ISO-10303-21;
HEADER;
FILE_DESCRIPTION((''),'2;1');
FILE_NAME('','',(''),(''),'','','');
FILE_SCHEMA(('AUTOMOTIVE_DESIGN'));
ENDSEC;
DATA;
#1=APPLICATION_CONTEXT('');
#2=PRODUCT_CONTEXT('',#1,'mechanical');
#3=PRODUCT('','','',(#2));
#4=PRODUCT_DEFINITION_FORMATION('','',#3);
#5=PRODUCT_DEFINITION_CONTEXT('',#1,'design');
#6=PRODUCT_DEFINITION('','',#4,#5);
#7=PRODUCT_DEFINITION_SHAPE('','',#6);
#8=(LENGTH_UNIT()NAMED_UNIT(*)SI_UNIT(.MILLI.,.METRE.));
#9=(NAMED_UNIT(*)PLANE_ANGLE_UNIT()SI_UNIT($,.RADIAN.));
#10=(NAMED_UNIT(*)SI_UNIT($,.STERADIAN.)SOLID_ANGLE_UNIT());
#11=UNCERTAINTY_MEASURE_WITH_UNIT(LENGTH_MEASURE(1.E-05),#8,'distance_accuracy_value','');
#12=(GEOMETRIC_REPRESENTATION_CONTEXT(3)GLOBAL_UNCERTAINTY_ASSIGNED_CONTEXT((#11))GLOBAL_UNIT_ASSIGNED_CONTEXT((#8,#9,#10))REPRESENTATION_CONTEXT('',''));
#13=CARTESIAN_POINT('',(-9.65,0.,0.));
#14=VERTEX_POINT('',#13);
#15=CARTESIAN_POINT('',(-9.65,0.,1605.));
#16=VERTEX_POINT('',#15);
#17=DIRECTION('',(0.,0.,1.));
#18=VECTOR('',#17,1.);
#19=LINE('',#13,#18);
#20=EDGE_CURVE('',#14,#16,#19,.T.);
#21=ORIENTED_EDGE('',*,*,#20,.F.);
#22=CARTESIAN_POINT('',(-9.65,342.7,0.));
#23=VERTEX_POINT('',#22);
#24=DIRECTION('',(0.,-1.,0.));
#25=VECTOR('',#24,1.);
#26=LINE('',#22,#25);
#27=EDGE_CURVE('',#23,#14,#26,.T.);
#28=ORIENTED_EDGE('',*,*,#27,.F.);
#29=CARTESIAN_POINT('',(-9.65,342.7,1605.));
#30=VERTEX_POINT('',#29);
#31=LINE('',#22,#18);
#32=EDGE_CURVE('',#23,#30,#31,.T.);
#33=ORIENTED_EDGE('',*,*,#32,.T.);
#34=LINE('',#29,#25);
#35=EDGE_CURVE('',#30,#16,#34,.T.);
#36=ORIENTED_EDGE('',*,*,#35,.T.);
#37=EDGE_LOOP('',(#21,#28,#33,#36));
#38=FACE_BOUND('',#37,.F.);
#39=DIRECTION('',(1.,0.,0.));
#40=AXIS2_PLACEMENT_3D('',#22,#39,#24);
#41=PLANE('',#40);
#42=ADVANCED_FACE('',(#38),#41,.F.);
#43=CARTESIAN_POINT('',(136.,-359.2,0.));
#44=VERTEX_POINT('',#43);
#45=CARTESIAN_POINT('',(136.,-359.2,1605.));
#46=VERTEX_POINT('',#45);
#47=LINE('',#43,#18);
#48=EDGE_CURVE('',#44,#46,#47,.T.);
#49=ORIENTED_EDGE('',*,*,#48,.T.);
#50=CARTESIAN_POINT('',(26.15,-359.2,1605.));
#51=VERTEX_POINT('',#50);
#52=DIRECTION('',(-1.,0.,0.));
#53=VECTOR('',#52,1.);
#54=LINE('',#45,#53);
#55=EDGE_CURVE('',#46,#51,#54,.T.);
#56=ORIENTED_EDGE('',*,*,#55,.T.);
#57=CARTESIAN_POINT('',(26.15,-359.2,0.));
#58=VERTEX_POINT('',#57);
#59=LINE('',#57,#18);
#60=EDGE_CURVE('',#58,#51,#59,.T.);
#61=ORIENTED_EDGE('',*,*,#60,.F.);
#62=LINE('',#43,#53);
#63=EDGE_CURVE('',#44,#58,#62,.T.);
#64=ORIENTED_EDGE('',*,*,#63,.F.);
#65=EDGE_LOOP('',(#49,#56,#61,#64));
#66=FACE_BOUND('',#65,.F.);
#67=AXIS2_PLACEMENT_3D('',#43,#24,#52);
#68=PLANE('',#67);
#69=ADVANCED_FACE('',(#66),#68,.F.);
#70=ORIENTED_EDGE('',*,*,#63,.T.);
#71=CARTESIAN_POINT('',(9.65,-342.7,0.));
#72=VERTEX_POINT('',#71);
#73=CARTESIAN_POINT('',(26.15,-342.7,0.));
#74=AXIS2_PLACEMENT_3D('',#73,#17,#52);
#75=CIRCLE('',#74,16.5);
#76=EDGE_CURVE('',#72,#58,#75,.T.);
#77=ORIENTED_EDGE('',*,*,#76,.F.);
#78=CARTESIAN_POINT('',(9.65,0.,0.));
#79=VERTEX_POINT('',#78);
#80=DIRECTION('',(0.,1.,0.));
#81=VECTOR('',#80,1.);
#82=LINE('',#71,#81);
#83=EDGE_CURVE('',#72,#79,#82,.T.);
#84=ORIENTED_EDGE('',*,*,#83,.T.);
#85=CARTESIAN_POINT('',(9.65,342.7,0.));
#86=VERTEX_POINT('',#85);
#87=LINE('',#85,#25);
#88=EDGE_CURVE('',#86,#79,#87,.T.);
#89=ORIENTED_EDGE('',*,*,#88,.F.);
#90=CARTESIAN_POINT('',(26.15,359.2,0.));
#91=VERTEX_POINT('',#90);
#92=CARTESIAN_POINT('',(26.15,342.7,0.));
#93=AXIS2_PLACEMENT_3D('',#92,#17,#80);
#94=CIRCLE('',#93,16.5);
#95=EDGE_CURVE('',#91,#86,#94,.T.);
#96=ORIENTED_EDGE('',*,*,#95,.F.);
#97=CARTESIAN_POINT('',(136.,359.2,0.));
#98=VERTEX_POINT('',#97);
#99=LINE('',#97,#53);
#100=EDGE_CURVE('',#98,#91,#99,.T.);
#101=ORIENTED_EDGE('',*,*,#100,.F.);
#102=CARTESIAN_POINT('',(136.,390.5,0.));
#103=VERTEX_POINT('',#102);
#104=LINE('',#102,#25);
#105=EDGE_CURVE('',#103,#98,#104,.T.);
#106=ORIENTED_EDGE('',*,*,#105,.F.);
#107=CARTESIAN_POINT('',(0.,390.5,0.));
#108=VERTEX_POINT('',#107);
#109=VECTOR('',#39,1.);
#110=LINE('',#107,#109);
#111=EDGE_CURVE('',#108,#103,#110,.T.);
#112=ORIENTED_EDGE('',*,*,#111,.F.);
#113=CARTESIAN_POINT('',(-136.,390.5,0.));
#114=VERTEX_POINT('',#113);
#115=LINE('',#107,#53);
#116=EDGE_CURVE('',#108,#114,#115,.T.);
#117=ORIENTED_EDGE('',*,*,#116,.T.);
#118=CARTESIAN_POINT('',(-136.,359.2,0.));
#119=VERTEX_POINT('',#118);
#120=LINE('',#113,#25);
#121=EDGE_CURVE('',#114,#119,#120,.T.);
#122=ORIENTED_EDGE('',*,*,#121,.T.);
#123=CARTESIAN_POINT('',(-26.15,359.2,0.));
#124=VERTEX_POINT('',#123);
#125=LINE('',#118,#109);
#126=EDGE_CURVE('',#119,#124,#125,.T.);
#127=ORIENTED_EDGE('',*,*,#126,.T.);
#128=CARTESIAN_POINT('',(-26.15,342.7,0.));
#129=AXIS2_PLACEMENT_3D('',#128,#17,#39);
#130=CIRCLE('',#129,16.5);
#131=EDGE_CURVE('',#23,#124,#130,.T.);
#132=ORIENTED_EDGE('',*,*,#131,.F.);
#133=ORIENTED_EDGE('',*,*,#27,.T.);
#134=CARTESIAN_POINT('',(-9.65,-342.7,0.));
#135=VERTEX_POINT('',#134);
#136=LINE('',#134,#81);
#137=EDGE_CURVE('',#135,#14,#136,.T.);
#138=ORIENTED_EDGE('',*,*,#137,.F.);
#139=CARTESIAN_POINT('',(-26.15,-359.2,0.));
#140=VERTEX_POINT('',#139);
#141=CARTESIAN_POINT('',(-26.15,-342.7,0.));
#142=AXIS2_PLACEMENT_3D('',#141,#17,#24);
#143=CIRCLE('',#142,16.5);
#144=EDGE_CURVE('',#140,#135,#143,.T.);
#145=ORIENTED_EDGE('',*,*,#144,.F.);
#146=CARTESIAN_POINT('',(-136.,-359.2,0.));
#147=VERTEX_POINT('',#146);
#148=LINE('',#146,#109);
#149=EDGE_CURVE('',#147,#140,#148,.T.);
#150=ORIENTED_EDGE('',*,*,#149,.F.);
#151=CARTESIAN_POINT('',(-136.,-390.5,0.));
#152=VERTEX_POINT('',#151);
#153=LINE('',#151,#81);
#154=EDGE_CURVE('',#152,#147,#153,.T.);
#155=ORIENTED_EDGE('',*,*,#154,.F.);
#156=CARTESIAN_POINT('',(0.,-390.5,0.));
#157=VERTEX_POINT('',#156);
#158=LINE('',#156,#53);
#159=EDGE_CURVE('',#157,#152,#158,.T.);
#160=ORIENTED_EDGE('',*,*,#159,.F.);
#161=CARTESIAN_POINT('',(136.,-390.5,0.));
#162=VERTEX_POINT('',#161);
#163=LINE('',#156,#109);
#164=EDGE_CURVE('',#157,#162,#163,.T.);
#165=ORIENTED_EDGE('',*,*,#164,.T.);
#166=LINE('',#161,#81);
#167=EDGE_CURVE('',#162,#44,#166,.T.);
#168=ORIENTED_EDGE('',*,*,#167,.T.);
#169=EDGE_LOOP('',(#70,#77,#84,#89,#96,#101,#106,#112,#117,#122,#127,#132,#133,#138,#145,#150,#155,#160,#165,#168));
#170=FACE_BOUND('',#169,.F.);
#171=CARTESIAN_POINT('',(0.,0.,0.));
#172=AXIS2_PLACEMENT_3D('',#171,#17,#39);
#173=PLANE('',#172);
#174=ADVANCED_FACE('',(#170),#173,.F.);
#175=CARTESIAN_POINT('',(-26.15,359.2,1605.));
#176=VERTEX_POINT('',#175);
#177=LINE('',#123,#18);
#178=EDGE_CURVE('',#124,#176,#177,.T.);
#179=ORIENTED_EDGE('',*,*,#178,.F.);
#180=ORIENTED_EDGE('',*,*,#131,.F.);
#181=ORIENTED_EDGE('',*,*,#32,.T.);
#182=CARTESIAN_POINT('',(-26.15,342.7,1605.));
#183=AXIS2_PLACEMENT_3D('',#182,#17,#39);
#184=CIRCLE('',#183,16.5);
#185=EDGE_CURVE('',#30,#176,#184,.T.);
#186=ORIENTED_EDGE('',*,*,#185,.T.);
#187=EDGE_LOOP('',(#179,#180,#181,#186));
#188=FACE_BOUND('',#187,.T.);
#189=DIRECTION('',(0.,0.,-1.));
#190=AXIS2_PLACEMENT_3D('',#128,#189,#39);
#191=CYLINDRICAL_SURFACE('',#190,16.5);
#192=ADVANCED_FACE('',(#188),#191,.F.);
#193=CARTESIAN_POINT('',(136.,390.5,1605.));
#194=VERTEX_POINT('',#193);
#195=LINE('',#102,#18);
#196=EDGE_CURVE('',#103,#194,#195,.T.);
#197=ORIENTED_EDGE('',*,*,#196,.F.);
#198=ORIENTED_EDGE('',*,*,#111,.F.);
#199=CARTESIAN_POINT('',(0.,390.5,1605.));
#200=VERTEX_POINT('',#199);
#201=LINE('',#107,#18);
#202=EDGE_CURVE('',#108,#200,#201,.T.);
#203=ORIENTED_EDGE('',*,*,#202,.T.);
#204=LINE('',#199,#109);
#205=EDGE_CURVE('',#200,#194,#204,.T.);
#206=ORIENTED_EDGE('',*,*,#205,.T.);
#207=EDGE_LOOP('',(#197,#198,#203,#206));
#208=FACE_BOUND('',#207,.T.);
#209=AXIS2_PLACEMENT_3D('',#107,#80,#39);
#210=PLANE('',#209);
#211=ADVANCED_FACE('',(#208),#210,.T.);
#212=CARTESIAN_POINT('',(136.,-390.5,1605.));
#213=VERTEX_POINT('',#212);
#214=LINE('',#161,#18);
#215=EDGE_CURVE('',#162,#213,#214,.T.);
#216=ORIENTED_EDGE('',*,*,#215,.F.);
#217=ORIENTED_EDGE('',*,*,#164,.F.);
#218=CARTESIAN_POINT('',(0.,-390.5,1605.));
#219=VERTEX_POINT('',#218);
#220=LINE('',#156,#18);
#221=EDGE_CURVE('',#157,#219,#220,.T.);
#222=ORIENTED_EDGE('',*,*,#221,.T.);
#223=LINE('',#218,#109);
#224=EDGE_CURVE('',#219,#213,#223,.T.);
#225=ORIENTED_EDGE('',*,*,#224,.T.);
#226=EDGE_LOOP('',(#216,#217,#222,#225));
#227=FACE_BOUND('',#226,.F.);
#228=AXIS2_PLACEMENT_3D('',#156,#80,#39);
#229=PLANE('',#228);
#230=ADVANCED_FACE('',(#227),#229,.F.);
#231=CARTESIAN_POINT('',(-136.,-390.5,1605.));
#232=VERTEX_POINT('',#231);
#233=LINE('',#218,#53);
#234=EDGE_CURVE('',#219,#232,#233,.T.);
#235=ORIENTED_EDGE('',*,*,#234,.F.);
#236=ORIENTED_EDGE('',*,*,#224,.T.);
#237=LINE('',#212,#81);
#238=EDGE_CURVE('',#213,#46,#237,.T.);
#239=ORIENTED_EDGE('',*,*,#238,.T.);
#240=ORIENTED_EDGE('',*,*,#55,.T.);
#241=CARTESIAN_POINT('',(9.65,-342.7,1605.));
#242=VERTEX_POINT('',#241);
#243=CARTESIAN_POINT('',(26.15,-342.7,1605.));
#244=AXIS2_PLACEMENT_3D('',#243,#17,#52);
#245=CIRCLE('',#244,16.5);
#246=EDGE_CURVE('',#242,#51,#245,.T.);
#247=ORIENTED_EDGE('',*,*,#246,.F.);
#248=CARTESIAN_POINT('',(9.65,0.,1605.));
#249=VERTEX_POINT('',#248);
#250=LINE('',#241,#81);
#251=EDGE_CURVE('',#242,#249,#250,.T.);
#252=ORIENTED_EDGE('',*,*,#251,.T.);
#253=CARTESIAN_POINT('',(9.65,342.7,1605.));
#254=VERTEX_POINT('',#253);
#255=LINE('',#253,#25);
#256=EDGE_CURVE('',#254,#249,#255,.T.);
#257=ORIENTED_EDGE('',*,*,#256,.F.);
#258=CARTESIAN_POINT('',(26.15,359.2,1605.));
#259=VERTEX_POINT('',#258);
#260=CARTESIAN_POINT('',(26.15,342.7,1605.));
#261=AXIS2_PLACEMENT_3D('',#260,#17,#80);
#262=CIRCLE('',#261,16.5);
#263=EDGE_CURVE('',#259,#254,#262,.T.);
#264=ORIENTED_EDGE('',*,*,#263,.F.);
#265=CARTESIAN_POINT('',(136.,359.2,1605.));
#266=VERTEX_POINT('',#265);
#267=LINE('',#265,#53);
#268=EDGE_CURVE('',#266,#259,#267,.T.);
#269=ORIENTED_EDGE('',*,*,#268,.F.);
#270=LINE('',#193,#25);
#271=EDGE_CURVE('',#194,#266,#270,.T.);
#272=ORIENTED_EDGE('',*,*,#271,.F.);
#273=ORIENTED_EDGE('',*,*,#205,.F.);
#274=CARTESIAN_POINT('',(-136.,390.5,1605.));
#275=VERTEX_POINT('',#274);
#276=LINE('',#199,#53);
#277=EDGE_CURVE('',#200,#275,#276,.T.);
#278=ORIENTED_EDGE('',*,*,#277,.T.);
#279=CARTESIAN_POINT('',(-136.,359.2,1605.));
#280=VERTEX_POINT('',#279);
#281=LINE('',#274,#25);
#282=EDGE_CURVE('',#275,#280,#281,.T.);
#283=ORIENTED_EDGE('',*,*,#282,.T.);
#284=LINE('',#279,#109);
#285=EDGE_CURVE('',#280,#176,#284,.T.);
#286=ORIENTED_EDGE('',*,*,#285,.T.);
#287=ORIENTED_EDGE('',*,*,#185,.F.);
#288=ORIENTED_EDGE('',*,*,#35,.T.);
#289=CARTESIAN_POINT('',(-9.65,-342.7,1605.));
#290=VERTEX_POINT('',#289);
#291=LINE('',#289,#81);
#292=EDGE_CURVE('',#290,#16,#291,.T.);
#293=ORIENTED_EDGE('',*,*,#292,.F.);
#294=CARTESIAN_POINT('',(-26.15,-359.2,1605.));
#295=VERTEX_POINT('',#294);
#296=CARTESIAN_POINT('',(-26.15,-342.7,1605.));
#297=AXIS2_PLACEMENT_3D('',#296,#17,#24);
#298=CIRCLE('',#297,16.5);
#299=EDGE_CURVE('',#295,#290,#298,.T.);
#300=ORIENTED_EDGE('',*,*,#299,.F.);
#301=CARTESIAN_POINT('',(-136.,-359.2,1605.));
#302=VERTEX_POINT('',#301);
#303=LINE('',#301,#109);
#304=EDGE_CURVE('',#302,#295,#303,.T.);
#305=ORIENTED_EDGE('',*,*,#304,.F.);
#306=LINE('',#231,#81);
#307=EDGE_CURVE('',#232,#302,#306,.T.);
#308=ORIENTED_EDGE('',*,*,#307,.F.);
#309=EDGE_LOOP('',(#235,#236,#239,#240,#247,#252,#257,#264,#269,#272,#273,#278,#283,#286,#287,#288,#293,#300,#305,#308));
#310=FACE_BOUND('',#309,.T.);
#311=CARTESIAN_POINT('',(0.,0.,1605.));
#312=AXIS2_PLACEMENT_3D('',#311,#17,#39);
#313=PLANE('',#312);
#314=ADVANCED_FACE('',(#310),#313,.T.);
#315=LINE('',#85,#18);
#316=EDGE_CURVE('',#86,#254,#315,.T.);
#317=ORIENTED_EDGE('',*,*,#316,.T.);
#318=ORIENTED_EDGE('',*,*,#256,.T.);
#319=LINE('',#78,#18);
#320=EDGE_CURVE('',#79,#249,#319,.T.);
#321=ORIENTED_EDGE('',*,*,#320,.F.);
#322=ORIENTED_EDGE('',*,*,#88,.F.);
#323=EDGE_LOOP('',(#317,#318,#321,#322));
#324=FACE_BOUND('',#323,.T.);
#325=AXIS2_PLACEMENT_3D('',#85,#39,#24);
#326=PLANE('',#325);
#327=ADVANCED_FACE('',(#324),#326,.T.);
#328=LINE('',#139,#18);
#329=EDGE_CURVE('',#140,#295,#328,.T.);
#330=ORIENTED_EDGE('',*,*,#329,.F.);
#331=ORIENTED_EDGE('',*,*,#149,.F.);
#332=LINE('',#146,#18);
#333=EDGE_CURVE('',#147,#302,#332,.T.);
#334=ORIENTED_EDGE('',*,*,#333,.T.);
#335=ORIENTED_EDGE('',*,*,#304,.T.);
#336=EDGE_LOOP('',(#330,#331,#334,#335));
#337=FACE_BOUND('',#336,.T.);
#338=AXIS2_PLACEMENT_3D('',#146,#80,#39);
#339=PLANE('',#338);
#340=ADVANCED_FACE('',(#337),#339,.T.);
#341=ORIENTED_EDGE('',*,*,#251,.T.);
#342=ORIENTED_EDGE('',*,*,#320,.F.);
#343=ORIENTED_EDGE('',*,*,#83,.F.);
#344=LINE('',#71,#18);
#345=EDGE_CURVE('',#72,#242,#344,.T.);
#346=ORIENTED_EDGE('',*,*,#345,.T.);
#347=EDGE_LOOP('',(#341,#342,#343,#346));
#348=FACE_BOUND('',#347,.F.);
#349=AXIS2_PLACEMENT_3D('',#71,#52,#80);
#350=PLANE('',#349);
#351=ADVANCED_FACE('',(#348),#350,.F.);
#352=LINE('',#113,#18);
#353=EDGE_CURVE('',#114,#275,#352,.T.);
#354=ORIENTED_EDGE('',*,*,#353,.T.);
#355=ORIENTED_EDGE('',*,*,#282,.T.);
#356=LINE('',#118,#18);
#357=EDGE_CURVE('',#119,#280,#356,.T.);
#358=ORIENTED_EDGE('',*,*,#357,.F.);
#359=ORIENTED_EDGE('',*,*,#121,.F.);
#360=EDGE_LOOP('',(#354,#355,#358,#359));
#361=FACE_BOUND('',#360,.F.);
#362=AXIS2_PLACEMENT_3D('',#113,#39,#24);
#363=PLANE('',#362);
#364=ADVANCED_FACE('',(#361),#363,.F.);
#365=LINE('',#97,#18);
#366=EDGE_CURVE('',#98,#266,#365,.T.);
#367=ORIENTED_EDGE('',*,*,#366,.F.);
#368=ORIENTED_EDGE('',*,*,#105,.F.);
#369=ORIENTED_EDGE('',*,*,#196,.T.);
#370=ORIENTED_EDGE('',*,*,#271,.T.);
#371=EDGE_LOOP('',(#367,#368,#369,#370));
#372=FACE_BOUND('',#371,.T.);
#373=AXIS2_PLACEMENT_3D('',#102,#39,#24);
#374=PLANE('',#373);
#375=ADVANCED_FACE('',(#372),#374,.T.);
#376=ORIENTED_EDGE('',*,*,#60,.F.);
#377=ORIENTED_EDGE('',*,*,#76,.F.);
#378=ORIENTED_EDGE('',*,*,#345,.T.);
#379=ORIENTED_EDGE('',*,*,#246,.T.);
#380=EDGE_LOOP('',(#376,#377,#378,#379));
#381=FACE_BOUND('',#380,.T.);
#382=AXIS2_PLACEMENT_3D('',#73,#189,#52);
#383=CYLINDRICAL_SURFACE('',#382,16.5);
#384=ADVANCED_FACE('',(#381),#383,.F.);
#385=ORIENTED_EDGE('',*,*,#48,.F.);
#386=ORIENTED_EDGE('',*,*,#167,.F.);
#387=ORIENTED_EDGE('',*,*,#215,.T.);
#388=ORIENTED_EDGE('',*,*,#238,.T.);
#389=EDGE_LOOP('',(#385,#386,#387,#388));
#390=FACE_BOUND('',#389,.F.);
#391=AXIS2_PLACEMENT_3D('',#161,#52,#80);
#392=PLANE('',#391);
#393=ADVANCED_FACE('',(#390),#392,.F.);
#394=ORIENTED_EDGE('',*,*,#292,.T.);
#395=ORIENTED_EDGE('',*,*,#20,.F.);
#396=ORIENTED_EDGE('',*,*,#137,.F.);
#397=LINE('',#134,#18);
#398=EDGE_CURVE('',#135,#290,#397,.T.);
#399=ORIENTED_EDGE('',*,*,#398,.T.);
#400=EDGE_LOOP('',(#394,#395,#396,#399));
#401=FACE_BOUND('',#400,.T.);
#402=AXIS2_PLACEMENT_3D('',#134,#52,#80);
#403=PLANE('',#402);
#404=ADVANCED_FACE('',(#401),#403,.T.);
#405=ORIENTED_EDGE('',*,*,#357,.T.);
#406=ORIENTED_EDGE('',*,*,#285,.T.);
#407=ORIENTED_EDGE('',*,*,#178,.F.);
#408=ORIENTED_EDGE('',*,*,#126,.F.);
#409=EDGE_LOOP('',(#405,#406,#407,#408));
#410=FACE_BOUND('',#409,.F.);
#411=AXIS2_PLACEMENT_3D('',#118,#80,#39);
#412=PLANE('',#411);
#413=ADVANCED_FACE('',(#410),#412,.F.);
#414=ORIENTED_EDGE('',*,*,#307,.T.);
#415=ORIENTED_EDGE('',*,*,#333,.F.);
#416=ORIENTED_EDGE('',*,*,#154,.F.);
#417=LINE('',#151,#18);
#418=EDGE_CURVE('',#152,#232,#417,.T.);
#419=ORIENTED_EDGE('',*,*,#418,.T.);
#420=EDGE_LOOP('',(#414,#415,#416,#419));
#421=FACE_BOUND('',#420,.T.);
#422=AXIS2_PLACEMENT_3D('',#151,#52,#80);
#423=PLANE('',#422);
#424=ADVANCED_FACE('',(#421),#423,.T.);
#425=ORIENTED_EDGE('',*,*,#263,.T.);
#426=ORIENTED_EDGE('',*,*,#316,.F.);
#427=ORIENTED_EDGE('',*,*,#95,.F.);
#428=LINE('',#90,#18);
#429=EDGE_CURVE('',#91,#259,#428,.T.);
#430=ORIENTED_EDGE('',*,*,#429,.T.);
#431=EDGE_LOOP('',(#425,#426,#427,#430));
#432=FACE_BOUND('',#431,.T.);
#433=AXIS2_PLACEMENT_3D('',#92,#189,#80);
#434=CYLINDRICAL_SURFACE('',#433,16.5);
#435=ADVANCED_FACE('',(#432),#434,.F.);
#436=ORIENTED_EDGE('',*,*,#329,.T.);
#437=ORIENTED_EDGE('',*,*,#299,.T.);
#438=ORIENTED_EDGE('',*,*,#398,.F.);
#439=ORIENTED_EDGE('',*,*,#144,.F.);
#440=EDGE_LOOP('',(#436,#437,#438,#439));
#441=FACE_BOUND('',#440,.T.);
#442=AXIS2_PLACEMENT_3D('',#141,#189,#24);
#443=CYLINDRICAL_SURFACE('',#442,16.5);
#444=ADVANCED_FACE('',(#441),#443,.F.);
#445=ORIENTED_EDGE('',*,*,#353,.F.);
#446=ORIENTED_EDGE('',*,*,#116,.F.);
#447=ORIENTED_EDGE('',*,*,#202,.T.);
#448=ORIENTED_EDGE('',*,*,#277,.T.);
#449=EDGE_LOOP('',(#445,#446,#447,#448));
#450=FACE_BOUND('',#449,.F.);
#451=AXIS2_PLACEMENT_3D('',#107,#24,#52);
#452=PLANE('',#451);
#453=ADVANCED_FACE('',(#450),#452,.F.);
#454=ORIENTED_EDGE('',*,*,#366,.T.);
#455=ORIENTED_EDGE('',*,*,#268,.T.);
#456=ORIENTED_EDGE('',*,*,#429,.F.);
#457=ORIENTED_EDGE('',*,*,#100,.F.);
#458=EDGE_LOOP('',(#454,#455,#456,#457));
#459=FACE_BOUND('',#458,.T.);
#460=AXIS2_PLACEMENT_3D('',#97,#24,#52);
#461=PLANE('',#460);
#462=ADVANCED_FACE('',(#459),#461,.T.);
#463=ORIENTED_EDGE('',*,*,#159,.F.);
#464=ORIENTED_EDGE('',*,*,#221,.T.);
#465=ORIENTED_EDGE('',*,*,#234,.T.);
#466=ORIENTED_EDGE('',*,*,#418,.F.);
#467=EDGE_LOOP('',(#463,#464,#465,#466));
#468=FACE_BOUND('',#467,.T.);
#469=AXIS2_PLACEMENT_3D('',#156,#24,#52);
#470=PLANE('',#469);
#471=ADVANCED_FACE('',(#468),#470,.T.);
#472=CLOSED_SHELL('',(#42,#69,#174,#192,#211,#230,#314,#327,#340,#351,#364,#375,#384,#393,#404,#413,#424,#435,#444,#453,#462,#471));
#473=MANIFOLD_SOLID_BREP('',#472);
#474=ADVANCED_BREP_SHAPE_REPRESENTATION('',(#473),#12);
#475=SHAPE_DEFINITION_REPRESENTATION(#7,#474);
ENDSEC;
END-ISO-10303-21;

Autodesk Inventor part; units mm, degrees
ref_plane "YZ Plane" through (0, 0, 0) normal (1, 0, 0) x (0, 1, 0)
ref_plane "Start plane" through (0, 0, 0) normal (0, 0, 1) x (1, 0, 0)
ref_plane "End plane" through (0, 0, 1605) normal (0, 0, 1) x (1, 0, 0)
sketch "Sketch" plane through (0, 0, 0) normal (0, 0, 1) x (1, 0, 0)
  line L0 (-136, -390.5) -> (-136, -359.2)
  line L1 (-136, -359.2) -> (-26.15, -359.2)
  line L2 (-9.65, -342.7) -> (-9.65, 0)
  line L3 (-9.65, 0) -> (0, 0) construction
  line L4 (0, 0) -> (0, -390.5) construction
  line L5 (0, -390.5) -> (-136, -390.5)
  line L6 (-60, 0) -> (80, 0) construction
  line L7 (0, -60) -> (0, 80) construction
  line L8 (136, -390.5) -> (136, -359.2)
  line L9 (136, -359.2) -> (26.15, -359.2)
  line L10 (9.65, -342.7) -> (9.65, 0)
  line L11 (9.65, 0) -> (0, 0) construction
  line L12 (0, -390.5) -> (136, -390.5)
  line L13 (-136, 390.5) -> (-136, 359.2)
  line L14 (-136, 359.2) -> (-26.15, 359.2)
  line L15 (-9.65, 342.7) -> (-9.65, 0)
  line L16 (0, 390.5) -> (-136, 390.5)
  line L17 (136, 390.5) -> (136, 359.2)
  line L18 (136, 359.2) -> (26.15, 359.2)
  line L19 (0, 390.5) -> (136, 390.5)
  line L20 (9.65, 342.7) -> (9.65, 0)
  arc A0 (-9.65, 342.7) -> (-26.15, 359.2) centre (-26.15, 342.7) ccw
  arc A1 (26.15, 359.2) -> (9.65, 342.7) centre (26.15, 342.7) ccw
  arc A2 (9.65, -342.7) -> (26.15, -359.2) centre (26.15, -342.7) ccw
  arc A3 (-26.15, -359.2) -> (-9.65, -342.7) centre (-26.15, -342.7) ccw
  line L21 (0, 108) -> (0, -88) construction
  line L22 (-88, 0) -> (108, 0) construction
  point P0 (-9.65, -359.2)
  point P1 (9.65, -359.2)
  point P2 (-9.65, 359.2)
  point P3 (9.65, 359.2)
  dimension "d1" = 390.5
  dimension "d2" = 31.3
  dimension "d3" = 136
  dimension "d4" = 9.65
  dimension "d10" = 16.5
extrude "Body" add sketch "Sketch" along normal up to surface (1605 mm away) from surface at 0
sketch "Sketch4" plane through (0, 0, 0) normal (0, 0, 1) x (1, 0, 0)
  line L0 (0, 0) -> (10, 0)
ref_plane "Work Plane3" through (0, 0, 0) normal (0, -1, 0) x (1, 0, 0)
sketch "Sketch5" plane through (0, 0, 0) normal (0, -1, 0) x (1, 0, 0)
  line L0 (-2, 0) -> (12, 0) projected
  line L1 (-2, 1605) -> (12, 1605) projected
  dimension "d14" = 1605
equation "\"d1\" = 0.5 * G_H"
equation "\"d2\" = G_T1"
equation "\"d3\" = 0.5 * G_W"
equation "\"d4\" = 0.5 * G_T"
equation "\"d10\" = G_IR"
equation "\"d5\" = G_L"
equation "\"G_W\" = 272"
equation "\"G_H\" = 781"
equation "\"G_T\" = 19.3"
equation "\"G_T1\" = 31.3"
equation "\"G_IR\" = 16.5"
equation "\"G_L\" = d14"
equation "\"G_OFFSET_START\" = 0"
equation "\"G_OFFSET_END\" = 0"
equation "\"d12\" = G_OFFSET_END + B_L"
equation "\"B_L\" = 1605"
properties part number "AS 3679-1990 - 760 UB - 244 - 1605" material "Steel, Mild"
